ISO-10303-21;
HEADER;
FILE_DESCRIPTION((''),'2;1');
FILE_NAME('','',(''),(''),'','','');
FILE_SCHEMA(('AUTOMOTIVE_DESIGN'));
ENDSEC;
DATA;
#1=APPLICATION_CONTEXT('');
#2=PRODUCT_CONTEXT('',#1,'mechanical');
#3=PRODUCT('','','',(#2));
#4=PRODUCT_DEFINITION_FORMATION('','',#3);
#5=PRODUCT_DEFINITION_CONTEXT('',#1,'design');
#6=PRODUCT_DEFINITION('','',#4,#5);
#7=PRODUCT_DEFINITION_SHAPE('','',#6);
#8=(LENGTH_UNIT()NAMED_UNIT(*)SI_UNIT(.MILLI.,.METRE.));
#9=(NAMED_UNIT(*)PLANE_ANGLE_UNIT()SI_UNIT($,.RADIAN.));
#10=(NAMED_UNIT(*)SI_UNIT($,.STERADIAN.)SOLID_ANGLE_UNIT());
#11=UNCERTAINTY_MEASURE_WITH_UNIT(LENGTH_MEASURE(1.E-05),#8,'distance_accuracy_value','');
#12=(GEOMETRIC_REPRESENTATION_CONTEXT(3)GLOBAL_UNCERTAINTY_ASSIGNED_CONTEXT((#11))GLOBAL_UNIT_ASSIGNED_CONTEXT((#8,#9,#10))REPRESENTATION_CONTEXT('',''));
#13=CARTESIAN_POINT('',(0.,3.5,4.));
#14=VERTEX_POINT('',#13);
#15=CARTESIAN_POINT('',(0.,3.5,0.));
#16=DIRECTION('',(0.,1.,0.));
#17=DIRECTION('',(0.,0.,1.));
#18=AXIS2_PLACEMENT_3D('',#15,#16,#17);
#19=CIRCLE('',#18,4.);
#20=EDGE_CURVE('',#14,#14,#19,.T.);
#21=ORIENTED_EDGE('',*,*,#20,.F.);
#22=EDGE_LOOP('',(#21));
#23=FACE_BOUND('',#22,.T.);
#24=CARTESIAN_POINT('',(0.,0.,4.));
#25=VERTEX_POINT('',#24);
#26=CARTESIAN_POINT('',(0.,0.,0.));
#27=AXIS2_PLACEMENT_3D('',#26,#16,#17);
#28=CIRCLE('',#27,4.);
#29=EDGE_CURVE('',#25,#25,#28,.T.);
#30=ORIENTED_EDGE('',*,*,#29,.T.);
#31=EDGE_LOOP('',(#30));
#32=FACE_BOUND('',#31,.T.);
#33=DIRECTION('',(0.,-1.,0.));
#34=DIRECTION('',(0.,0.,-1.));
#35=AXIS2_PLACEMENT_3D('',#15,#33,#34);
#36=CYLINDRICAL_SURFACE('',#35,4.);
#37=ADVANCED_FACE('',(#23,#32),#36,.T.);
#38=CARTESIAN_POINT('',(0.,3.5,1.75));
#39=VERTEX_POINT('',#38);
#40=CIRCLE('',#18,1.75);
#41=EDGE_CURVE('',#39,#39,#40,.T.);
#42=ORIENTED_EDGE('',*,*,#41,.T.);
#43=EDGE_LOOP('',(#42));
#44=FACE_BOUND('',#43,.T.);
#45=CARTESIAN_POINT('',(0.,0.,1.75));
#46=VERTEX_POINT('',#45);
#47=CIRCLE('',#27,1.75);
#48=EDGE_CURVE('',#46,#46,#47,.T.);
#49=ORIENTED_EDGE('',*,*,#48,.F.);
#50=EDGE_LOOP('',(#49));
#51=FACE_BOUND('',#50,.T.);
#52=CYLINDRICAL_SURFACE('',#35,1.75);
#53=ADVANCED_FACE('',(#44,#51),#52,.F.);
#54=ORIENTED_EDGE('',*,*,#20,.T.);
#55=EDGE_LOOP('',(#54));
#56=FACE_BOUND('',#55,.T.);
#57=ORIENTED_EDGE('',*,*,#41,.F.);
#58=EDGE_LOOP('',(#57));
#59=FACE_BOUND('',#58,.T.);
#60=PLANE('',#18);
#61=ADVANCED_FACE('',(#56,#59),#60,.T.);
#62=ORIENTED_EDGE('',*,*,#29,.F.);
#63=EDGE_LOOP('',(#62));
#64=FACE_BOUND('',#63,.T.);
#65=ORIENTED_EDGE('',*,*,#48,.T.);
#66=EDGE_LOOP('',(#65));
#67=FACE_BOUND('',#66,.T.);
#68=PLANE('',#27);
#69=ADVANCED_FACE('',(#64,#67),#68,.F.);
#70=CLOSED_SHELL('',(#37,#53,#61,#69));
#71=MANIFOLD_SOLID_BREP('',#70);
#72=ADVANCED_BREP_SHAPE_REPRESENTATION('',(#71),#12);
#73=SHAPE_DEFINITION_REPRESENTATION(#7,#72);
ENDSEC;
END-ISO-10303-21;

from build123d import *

# Parameters (mm, degrees)
SKETCH1_R           = 4
SKETCH1_R_2         = 1.75
BOSS_EXTRUDE1_DEPTH = 3.5


with BuildPart() as part:
    # Sketch1 → Boss-Extrude1 (new body)
    with BuildSketch(Plane(origin=(0, 0, 0), x_dir=(1, 0, 0), z_dir=(0, 1, 0))):
        with Locations(Location((0, 0, 0), (0, 0, 270))):
            Circle(SKETCH1_R)
        with Locations(Location((0, 0, 0), (0, 0, 270))):
            Circle(SKETCH1_R_2, mode=Mode.SUBTRACT)
    extrude(amount=BOSS_EXTRUDE1_DEPTH)


solid = part.part
